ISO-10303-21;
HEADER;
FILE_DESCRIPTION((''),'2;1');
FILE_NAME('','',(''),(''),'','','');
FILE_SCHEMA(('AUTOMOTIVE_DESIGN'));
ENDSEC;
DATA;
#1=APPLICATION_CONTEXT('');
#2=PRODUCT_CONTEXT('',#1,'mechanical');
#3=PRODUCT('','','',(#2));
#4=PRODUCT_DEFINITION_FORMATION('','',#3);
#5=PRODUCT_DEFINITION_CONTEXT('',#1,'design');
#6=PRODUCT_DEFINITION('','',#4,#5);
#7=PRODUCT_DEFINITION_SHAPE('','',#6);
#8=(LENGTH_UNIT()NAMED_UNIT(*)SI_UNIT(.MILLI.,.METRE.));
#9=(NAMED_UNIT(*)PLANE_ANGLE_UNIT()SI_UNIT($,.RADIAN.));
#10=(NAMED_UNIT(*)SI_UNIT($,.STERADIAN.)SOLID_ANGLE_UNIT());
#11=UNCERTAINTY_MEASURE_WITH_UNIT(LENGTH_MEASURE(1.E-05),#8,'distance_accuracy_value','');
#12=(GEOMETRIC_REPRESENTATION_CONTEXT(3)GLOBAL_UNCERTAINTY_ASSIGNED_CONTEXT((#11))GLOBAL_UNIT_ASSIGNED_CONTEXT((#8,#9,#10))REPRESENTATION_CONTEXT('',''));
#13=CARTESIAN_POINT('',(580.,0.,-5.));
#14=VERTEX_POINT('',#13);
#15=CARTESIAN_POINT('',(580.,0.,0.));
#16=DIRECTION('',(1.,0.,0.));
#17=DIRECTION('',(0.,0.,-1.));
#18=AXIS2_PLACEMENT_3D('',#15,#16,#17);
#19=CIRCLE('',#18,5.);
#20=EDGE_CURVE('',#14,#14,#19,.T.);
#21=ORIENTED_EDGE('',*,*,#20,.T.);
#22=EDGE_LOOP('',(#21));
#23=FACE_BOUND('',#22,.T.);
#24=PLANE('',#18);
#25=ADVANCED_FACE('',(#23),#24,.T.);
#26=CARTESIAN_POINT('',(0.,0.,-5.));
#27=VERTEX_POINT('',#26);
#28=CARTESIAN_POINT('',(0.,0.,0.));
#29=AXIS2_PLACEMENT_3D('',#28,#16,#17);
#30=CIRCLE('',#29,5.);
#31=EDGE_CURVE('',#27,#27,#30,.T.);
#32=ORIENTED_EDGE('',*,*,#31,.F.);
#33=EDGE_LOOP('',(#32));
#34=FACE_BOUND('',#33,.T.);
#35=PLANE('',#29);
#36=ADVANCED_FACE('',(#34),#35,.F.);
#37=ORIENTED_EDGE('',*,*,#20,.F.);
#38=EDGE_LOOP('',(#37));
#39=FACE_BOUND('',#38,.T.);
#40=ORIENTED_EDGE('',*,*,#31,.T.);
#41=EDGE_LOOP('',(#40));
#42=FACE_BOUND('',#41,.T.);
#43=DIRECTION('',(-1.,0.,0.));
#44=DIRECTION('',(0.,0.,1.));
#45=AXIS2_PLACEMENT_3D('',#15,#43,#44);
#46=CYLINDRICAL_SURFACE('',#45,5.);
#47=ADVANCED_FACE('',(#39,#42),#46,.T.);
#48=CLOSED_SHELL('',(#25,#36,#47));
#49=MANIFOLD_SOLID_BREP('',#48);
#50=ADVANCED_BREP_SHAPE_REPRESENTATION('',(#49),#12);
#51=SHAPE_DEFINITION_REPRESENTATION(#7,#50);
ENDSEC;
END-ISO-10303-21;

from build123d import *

# Parameters (mm, degrees)
SKETCH1_R           = 5
BOSS_EXTRUDE1_DEPTH = 580


with BuildPart() as part:
    # Sketch1 → Boss-Extrude1 (new body)
    with BuildSketch(Plane(origin=(0, 0, 0), x_dir=(0, 0, -1), z_dir=(1, 0, 0))):
        Circle(SKETCH1_R)
    extrude(amount=BOSS_EXTRUDE1_DEPTH)


solid = part.part
